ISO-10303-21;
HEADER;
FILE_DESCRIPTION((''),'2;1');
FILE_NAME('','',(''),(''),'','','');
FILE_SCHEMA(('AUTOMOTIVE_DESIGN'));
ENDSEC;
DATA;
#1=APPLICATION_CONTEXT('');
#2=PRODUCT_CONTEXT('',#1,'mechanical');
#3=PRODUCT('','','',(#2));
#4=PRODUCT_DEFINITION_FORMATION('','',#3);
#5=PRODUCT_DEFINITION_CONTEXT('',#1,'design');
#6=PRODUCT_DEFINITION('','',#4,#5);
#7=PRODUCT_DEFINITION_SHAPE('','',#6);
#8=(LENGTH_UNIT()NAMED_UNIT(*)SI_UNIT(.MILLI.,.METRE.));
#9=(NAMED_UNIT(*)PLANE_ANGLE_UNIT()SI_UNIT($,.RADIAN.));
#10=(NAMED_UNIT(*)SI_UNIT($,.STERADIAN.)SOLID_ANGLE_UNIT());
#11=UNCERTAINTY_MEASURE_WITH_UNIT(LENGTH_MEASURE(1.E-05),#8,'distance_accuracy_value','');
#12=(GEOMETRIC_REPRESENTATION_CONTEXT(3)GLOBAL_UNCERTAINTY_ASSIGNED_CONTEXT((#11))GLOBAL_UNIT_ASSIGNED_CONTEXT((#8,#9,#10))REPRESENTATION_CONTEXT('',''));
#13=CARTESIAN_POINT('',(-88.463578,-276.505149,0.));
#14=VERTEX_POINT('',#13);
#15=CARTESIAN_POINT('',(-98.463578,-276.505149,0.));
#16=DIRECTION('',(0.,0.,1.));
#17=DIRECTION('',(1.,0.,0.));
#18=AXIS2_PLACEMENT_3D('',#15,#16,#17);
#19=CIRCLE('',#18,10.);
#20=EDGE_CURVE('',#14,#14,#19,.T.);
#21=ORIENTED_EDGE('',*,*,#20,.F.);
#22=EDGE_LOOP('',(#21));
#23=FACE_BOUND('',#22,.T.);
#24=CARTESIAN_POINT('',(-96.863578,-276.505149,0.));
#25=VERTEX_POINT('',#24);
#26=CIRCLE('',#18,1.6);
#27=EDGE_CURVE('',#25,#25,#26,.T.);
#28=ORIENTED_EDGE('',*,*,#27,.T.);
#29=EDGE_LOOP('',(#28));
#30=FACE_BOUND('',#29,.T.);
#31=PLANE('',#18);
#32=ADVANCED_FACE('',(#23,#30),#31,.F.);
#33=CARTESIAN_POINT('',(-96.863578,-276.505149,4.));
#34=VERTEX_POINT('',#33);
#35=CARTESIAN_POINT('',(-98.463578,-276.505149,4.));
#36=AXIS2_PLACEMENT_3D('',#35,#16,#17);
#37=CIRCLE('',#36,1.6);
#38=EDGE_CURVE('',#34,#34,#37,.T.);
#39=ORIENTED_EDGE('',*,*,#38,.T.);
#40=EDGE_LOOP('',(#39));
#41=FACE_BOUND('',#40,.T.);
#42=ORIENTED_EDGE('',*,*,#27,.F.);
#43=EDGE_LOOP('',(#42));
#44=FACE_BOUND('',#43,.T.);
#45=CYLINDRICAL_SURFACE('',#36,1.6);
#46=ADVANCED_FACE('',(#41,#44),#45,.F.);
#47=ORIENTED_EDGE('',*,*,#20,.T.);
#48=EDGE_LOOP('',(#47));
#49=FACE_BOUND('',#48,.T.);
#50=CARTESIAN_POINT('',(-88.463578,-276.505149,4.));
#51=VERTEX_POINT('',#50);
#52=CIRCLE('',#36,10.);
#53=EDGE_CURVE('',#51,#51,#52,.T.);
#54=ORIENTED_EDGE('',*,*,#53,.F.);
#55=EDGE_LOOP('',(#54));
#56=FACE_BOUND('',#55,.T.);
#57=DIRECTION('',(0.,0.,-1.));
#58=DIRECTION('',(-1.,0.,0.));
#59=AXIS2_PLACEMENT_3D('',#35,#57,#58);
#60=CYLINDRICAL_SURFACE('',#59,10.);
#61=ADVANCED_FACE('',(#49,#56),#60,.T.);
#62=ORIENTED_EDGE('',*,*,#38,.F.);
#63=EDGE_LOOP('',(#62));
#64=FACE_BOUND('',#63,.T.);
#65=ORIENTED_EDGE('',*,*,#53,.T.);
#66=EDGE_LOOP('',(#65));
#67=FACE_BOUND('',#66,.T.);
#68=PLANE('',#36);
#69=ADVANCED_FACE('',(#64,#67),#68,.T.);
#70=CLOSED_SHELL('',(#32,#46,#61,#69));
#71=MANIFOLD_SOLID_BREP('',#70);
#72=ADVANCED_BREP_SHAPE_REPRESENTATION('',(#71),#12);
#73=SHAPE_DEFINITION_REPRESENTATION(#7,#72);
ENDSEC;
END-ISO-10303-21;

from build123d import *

# Parameters (mm, degrees)
SKETCH1_R            = 10
BOSS_EXTRUDE1_DEPTH  = 4
M3_CLEARANCE_HOLE1_D = 3.2


with BuildPart() as part:
    # Sketch1 → Boss-Extrude1 (new body)
    with BuildSketch(Plane.XY):
        with Locations((-98.463578367, -276.505149474)):
            Circle(SKETCH1_R)
    extrude(amount=BOSS_EXTRUDE1_DEPTH)

    # M3 Clearance Hole1 (through all)
    with Locations(Plane.XY.offset(4)):
        with Locations((-98.463578367, -276.505149474)):
            Hole(M3_CLEARANCE_HOLE1_D / 2)


solid = part.part
